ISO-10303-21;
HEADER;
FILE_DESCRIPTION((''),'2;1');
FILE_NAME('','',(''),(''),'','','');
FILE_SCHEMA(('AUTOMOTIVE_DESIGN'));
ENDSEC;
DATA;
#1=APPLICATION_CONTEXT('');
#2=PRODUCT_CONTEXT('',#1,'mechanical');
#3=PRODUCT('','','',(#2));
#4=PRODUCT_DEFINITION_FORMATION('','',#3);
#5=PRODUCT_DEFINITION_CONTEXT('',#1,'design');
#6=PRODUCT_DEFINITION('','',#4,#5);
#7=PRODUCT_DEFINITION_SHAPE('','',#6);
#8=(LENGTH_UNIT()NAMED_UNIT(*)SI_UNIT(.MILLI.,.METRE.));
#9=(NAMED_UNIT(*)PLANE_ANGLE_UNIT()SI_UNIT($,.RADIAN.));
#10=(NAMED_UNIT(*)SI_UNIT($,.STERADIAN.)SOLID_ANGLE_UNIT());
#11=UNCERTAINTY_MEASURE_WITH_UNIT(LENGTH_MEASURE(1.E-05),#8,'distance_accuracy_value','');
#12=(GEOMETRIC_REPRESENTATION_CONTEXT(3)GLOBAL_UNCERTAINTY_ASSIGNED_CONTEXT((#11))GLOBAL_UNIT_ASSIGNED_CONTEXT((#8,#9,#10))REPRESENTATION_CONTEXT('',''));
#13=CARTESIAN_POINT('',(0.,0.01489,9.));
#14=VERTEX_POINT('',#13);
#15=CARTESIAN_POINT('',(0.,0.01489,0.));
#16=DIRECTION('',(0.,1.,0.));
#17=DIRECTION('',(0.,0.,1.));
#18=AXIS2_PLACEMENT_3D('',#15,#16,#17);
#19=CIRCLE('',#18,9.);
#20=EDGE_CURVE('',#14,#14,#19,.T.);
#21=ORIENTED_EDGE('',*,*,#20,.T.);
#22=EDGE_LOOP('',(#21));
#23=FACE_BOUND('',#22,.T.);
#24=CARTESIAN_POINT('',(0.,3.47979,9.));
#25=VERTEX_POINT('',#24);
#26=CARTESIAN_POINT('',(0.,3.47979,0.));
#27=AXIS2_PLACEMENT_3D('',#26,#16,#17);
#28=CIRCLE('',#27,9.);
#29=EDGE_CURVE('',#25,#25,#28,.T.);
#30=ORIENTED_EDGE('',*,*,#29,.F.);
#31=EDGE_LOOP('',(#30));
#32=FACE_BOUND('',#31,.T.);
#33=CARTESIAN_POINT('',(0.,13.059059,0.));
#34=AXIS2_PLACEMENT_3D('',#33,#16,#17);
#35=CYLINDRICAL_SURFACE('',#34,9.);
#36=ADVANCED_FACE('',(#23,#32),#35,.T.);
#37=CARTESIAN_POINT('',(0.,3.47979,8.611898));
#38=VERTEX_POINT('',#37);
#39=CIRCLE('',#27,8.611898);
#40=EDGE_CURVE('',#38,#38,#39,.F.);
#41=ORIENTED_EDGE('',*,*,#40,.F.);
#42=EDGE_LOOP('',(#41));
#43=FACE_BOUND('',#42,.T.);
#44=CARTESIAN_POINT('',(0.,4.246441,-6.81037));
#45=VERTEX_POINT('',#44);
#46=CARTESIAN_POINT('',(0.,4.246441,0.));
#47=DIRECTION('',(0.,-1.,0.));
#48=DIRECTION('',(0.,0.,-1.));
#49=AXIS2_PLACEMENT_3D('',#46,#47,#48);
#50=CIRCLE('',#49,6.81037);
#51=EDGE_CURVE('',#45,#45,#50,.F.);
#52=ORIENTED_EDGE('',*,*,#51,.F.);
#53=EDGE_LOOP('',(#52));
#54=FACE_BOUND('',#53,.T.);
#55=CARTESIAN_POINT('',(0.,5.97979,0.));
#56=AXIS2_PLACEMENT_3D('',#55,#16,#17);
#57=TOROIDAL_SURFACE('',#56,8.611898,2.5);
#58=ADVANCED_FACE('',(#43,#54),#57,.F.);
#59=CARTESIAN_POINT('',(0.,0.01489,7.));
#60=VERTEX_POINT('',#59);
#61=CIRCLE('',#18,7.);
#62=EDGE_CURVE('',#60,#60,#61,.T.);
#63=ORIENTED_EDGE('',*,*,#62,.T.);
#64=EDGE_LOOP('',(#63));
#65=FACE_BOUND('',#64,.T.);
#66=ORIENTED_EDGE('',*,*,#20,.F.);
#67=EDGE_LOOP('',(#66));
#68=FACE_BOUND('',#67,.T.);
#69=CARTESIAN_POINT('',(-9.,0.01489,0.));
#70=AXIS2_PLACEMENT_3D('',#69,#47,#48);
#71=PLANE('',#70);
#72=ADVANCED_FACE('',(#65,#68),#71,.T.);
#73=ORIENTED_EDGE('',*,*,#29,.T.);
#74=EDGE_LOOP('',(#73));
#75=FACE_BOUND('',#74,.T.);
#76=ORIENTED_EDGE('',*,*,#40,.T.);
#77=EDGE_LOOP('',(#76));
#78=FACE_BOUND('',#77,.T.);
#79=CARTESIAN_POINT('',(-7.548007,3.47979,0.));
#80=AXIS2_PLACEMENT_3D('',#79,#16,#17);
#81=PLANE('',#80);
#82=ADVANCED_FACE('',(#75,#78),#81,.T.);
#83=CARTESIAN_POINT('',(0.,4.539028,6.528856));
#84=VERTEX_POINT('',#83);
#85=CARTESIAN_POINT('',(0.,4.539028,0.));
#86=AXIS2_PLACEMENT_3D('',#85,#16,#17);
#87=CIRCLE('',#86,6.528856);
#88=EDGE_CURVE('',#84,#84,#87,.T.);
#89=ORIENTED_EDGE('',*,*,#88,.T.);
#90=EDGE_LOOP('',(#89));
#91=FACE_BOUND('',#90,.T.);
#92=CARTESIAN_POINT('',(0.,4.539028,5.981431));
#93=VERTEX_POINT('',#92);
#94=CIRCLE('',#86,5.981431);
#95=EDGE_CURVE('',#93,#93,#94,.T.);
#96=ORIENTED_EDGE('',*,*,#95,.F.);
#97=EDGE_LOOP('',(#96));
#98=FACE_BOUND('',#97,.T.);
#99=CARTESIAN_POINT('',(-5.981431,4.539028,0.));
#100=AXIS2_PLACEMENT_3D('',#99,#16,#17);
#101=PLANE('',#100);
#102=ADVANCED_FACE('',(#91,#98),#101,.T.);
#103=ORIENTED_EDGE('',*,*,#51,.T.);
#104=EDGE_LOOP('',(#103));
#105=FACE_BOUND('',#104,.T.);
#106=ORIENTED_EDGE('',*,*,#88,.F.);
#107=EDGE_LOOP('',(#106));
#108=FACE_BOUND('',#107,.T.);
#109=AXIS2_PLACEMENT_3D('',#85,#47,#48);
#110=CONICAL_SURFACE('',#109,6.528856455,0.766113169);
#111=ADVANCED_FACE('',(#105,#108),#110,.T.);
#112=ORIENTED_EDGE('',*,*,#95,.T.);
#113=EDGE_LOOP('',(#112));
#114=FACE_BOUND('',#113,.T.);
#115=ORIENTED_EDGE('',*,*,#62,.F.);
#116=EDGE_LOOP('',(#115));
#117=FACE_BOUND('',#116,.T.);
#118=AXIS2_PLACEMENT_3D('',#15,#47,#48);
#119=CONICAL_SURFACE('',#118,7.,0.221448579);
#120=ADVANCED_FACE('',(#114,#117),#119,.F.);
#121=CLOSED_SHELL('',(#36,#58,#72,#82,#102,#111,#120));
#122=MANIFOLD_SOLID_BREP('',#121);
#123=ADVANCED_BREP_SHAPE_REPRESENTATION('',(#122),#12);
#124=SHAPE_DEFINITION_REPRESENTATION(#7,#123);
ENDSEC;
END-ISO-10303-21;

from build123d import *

# Parameters (mm, degrees)
REDONDEO1_R = 2.5


with BuildPart() as part:
    # Croquis1 → Revolución1 (revolve)
    with BuildSketch(Plane.XY, mode=Mode.PRIVATE) as revoluci_n1_sk:
        Polygon((-7, 0.014889516), (-5.98143128, 4.539027855), (-6.528856455, 4.539027855), (-7.548007417, 3.479790211), (-9, 3.479790211), (-9, 0.014889516), align=None)
    revolve(revoluci_n1_sk.sketch.rotate(Axis((0, 13.059059278, 0), (0, -1, 0)), 270), axis=Axis((0, 13.059059278, 0), (0, -1, 0)))

    # Redondeo1
    redondeo1_edges = [part.edges().sort_by_distance(p)[0] for p in [
        (0, 3.479790211, -7.548007417),
    ]]
    fillet(redondeo1_edges, radius=REDONDEO1_R)


solid = part.part
